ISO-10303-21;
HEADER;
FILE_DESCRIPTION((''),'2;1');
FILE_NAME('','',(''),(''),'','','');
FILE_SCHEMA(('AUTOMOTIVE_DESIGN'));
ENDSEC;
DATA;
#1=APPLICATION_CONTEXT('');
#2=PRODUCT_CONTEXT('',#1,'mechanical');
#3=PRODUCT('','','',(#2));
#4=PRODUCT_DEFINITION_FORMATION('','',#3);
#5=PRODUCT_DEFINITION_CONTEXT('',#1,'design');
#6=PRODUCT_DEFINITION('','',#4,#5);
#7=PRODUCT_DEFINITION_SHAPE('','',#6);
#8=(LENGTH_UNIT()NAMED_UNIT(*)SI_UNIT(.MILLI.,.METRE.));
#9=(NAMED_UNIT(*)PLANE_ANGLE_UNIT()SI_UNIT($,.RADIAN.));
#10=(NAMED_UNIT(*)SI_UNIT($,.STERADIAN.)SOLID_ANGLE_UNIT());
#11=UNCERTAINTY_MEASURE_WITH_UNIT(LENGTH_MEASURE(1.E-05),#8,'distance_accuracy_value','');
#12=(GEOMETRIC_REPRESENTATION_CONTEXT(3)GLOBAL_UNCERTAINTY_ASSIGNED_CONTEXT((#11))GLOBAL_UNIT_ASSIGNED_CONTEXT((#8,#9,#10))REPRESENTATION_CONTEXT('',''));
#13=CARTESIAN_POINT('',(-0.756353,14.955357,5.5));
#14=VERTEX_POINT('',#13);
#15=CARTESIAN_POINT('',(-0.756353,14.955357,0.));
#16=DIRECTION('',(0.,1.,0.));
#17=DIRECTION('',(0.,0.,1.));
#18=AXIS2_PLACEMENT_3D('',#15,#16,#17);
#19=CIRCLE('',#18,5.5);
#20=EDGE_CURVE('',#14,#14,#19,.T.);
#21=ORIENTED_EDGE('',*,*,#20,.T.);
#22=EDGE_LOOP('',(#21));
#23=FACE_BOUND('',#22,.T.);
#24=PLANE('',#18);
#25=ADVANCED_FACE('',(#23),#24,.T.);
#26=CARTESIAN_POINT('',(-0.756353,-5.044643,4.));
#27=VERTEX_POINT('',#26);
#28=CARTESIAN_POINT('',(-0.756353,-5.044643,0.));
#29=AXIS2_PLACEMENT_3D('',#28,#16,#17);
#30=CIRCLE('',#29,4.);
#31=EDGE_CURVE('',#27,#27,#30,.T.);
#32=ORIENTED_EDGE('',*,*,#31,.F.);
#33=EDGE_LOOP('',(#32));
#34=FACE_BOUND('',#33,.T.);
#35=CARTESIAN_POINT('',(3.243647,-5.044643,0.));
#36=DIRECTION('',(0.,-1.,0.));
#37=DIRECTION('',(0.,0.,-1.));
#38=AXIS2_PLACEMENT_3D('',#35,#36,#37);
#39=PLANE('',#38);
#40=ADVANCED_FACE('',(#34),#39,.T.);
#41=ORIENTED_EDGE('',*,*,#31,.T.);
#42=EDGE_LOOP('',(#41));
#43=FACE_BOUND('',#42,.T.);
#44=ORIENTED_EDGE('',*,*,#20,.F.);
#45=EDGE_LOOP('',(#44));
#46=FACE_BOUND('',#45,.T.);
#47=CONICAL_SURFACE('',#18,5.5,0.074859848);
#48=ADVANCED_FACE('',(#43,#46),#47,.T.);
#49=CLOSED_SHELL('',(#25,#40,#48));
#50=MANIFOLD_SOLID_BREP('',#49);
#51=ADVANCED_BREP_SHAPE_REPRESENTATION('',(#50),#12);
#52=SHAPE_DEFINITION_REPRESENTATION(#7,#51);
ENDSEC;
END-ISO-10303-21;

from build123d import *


with BuildPart() as part:
    # Sketch1 → Revolve1 (revolve)
    with BuildSketch(Plane.XY, mode=Mode.PRIVATE) as revolve1_sk:
        Polygon((-0.756353022, 14.955357143), (4.743646978, 14.955357143), (3.243646978, -5.044642857), (-0.756353022, -5.044642857), align=None)
    revolve(revolve1_sk.sketch.rotate(Axis((-0.756353022, 26.830357143, 0), (0, -1, 0)), 90), axis=Axis((-0.756353022, 26.830357143, 0), (0, -1, 0)))


solid = part.part
